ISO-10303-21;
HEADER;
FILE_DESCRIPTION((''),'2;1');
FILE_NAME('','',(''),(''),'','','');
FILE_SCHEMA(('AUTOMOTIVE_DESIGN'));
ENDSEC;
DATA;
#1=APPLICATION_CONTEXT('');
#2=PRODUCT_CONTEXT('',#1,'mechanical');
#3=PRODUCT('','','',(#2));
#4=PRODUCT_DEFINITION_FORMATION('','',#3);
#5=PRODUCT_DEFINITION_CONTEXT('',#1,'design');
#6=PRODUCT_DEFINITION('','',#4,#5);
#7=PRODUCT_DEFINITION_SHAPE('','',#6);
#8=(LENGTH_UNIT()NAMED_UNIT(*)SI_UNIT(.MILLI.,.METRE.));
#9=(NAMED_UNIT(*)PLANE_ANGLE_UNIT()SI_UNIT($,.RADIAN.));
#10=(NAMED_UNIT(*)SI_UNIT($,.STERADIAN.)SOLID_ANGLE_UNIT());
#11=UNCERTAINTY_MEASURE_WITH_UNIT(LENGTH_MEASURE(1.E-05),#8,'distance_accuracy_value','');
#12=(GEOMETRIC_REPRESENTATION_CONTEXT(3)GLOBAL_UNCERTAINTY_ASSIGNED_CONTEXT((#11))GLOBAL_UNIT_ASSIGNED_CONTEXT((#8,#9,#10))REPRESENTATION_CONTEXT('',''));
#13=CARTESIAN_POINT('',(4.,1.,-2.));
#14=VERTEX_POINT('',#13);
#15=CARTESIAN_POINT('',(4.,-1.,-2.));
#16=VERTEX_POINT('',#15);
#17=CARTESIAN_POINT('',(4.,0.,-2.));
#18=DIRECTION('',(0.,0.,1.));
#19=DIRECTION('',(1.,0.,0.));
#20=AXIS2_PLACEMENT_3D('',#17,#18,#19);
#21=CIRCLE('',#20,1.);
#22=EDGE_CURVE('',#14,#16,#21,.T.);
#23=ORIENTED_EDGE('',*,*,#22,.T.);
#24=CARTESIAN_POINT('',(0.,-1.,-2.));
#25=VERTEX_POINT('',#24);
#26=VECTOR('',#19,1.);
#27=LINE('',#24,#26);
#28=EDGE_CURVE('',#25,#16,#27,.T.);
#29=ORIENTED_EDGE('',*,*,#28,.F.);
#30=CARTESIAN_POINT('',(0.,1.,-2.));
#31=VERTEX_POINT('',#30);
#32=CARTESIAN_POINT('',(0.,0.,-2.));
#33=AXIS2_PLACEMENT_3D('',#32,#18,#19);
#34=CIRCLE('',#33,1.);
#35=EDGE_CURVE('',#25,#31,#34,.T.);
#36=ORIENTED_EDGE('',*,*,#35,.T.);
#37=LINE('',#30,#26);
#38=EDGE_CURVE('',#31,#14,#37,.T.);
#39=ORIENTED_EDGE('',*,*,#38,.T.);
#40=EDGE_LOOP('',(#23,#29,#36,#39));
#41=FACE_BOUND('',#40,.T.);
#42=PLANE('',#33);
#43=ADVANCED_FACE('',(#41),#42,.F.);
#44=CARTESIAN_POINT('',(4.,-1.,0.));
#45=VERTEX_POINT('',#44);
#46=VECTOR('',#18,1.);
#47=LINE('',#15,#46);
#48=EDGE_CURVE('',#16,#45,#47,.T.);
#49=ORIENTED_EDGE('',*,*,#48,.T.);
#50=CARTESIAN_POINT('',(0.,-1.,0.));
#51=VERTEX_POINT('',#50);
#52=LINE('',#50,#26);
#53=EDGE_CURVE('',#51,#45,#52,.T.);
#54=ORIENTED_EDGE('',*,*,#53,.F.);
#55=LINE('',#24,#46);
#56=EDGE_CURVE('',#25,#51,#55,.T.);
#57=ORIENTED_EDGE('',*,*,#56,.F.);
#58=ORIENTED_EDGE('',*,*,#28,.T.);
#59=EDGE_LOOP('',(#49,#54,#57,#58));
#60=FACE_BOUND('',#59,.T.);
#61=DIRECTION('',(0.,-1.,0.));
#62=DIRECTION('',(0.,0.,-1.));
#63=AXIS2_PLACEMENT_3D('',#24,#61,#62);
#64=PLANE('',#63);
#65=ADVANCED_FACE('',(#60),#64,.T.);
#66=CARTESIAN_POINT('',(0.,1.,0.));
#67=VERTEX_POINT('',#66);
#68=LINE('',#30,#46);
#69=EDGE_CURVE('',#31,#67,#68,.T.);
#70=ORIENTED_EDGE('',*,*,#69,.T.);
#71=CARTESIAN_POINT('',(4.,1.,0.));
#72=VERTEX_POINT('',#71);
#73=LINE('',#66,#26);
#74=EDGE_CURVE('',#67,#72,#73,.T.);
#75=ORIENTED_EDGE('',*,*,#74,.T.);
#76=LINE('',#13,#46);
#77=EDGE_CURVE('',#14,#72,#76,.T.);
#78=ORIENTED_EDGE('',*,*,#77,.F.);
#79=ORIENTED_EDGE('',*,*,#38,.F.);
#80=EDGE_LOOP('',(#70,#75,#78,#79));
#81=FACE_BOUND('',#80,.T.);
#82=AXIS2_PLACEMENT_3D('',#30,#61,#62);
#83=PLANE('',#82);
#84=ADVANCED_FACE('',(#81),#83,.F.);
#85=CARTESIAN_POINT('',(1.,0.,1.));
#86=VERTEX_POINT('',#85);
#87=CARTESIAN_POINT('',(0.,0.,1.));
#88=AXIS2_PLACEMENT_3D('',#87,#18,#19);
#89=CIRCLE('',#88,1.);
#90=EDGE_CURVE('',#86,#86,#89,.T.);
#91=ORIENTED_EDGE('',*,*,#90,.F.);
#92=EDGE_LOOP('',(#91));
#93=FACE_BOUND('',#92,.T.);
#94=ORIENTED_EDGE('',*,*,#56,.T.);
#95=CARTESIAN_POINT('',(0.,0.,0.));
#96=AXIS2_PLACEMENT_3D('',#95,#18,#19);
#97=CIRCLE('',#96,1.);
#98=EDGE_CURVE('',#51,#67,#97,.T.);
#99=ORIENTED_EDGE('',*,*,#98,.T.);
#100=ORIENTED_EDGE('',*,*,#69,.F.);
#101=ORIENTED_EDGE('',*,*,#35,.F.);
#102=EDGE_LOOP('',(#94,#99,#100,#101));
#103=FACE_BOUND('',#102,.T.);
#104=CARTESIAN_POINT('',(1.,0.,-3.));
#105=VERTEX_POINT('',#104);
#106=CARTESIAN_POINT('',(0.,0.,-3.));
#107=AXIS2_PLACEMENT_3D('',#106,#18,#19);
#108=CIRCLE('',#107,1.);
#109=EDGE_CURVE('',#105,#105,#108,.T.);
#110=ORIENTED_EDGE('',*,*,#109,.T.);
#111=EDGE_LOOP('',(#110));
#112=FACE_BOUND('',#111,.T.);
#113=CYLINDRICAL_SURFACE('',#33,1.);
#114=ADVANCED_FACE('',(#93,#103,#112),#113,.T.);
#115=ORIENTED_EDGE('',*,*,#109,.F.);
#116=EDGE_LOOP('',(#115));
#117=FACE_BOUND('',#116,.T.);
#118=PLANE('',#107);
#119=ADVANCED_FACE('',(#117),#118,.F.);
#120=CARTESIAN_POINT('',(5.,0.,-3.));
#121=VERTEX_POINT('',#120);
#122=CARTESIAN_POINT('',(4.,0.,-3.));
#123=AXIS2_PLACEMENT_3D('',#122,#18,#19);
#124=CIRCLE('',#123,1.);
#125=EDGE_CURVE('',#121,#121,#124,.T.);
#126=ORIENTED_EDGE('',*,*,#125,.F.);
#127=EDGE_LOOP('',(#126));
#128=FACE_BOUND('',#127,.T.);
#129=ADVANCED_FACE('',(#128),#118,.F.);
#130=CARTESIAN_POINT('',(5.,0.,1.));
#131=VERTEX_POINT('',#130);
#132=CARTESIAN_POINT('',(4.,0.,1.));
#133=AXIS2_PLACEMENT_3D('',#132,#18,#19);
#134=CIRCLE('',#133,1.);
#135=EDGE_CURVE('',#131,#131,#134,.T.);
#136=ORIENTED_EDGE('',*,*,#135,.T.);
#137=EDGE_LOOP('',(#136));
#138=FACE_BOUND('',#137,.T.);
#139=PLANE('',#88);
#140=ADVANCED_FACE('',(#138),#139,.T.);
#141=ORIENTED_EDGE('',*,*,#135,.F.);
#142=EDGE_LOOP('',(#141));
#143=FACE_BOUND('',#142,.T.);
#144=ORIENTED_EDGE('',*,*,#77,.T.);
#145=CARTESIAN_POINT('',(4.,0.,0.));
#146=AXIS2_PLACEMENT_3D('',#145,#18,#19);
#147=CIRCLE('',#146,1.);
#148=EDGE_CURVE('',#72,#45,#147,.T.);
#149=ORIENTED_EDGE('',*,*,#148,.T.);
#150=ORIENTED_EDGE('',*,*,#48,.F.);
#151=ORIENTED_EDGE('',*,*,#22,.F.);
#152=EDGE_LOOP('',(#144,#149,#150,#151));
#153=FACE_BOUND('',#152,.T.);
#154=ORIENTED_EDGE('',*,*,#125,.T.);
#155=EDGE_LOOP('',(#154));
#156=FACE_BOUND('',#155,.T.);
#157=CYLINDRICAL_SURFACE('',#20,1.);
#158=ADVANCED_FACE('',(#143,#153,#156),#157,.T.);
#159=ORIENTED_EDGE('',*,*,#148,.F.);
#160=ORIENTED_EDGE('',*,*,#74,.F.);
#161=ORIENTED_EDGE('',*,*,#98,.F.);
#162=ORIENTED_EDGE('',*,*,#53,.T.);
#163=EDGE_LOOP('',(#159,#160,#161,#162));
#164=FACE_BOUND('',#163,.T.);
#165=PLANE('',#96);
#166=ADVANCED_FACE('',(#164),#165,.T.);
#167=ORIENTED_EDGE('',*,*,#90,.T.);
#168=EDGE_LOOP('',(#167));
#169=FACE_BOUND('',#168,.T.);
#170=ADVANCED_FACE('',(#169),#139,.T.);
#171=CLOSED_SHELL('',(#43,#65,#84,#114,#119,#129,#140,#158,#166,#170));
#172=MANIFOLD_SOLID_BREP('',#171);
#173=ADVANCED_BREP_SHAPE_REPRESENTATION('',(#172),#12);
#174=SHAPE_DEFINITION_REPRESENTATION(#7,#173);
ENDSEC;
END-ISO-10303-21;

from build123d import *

# Parameters (mm, degrees)
EXTRUDE_3_DEPTH      = 2
EXTRUDE_4_DEPTH      = 1
EXTRUDE_4_DEPTH_BACK = 3


with BuildPart() as part:
    # Sketch 1 → Extrude 3 (new body)
    with BuildSketch(Plane.XY):
        with BuildLine():
            ThreePointArc((0, 1), (-1, 0), (0, -1))
            Line((0, -1), (0, 1))
        make_face()
        with BuildLine():
            Line((0, 1), (0, -1))
            ThreePointArc((0, -1), (0.707106781, -0.707106781), (1, 0))
            ThreePointArc((1, 0), (0.707106781, 0.707106781), (0, 1))
        make_face()
        with BuildLine():
            ThreePointArc((0, 1), (-1, 0), (0, -1))
            Line((0, -1), (0, 1))
        make_face()
        with BuildLine():
            Line((0, 1), (0, -1))
            ThreePointArc((0, -1), (0.707106781, -0.707106781), (1, 0))
            ThreePointArc((1, 0), (0.707106781, 0.707106781), (0, 1))
        make_face()
        with BuildLine():
            ThreePointArc((1, 0), (0.707106781, -0.707106781), (0, -1))
            Line((0, -1), (4, -1))
            ThreePointArc((4, -1), (3, 0), (4, 1))
            Line((4, 1), (0, 1))
            ThreePointArc((0, 1), (0.707106781, 0.707106781), (1, 0))
        make_face()
        with BuildLine():
            ThreePointArc((4, 1), (3, 0), (4, -1))
            Line((4, -1), (4, 1))
        make_face()
        with BuildLine():
            Line((4, 1), (4, -1))
            ThreePointArc((4, -1), (4.707106781, -0.707106781), (5, 0))
            ThreePointArc((5, 0), (4.707106781, 0.707106781), (4, 1))
        make_face()
        with BuildLine():
            ThreePointArc((4, 1), (3, 0), (4, -1))
            Line((4, -1), (4, 1))
        make_face()
        with BuildLine():
            Line((4, 1), (4, -1))
            ThreePointArc((4, -1), (4.707106781, -0.707106781), (5, 0))
            ThreePointArc((5, 0), (4.707106781, 0.707106781), (4, 1))
        make_face()
    extrude(amount=-EXTRUDE_3_DEPTH)

    # Sketch 1_7 → Extrude 4 (add, two sides)
    with BuildSketch(Plane.XY) as extrude_4_sk:
        with BuildLine():
            ThreePointArc((0, 1), (-1, 0), (0, -1))
            Line((0, -1), (0, 1))
        make_face()
        with BuildLine():
            Line((0, 1), (0, -1))
            ThreePointArc((0, -1), (0.707106781, -0.707106781), (1, 0))
            ThreePointArc((1, 0), (0.707106781, 0.707106781), (0, 1))
        make_face()
        with BuildLine():
            ThreePointArc((0, 1), (-1, 0), (0, -1))
            Line((0, -1), (0, 1))
        make_face()
        with BuildLine():
            Line((0, 1), (0, -1))
            ThreePointArc((0, -1), (0.707106781, -0.707106781), (1, 0))
            ThreePointArc((1, 0), (0.707106781, 0.707106781), (0, 1))
        make_face()
        with BuildLine():
            ThreePointArc((4, 1), (3, 0), (4, -1))
            Line((4, -1), (4, 1))
        make_face()
        with BuildLine():
            Line((4, 1), (4, -1))
            ThreePointArc((4, -1), (4.707106781, -0.707106781), (5, 0))
            ThreePointArc((5, 0), (4.707106781, 0.707106781), (4, 1))
        make_face()
        with BuildLine():
            ThreePointArc((4, 1), (3, 0), (4, -1))
            Line((4, -1), (4, 1))
        make_face()
        with BuildLine():
            Line((4, 1), (4, -1))
            ThreePointArc((4, -1), (4.707106781, -0.707106781), (5, 0))
            ThreePointArc((5, 0), (4.707106781, 0.707106781), (4, 1))
        make_face()
    extrude(amount=EXTRUDE_4_DEPTH)
    extrude(extrude_4_sk.sketch, amount=-EXTRUDE_4_DEPTH_BACK)


solid = part.part
